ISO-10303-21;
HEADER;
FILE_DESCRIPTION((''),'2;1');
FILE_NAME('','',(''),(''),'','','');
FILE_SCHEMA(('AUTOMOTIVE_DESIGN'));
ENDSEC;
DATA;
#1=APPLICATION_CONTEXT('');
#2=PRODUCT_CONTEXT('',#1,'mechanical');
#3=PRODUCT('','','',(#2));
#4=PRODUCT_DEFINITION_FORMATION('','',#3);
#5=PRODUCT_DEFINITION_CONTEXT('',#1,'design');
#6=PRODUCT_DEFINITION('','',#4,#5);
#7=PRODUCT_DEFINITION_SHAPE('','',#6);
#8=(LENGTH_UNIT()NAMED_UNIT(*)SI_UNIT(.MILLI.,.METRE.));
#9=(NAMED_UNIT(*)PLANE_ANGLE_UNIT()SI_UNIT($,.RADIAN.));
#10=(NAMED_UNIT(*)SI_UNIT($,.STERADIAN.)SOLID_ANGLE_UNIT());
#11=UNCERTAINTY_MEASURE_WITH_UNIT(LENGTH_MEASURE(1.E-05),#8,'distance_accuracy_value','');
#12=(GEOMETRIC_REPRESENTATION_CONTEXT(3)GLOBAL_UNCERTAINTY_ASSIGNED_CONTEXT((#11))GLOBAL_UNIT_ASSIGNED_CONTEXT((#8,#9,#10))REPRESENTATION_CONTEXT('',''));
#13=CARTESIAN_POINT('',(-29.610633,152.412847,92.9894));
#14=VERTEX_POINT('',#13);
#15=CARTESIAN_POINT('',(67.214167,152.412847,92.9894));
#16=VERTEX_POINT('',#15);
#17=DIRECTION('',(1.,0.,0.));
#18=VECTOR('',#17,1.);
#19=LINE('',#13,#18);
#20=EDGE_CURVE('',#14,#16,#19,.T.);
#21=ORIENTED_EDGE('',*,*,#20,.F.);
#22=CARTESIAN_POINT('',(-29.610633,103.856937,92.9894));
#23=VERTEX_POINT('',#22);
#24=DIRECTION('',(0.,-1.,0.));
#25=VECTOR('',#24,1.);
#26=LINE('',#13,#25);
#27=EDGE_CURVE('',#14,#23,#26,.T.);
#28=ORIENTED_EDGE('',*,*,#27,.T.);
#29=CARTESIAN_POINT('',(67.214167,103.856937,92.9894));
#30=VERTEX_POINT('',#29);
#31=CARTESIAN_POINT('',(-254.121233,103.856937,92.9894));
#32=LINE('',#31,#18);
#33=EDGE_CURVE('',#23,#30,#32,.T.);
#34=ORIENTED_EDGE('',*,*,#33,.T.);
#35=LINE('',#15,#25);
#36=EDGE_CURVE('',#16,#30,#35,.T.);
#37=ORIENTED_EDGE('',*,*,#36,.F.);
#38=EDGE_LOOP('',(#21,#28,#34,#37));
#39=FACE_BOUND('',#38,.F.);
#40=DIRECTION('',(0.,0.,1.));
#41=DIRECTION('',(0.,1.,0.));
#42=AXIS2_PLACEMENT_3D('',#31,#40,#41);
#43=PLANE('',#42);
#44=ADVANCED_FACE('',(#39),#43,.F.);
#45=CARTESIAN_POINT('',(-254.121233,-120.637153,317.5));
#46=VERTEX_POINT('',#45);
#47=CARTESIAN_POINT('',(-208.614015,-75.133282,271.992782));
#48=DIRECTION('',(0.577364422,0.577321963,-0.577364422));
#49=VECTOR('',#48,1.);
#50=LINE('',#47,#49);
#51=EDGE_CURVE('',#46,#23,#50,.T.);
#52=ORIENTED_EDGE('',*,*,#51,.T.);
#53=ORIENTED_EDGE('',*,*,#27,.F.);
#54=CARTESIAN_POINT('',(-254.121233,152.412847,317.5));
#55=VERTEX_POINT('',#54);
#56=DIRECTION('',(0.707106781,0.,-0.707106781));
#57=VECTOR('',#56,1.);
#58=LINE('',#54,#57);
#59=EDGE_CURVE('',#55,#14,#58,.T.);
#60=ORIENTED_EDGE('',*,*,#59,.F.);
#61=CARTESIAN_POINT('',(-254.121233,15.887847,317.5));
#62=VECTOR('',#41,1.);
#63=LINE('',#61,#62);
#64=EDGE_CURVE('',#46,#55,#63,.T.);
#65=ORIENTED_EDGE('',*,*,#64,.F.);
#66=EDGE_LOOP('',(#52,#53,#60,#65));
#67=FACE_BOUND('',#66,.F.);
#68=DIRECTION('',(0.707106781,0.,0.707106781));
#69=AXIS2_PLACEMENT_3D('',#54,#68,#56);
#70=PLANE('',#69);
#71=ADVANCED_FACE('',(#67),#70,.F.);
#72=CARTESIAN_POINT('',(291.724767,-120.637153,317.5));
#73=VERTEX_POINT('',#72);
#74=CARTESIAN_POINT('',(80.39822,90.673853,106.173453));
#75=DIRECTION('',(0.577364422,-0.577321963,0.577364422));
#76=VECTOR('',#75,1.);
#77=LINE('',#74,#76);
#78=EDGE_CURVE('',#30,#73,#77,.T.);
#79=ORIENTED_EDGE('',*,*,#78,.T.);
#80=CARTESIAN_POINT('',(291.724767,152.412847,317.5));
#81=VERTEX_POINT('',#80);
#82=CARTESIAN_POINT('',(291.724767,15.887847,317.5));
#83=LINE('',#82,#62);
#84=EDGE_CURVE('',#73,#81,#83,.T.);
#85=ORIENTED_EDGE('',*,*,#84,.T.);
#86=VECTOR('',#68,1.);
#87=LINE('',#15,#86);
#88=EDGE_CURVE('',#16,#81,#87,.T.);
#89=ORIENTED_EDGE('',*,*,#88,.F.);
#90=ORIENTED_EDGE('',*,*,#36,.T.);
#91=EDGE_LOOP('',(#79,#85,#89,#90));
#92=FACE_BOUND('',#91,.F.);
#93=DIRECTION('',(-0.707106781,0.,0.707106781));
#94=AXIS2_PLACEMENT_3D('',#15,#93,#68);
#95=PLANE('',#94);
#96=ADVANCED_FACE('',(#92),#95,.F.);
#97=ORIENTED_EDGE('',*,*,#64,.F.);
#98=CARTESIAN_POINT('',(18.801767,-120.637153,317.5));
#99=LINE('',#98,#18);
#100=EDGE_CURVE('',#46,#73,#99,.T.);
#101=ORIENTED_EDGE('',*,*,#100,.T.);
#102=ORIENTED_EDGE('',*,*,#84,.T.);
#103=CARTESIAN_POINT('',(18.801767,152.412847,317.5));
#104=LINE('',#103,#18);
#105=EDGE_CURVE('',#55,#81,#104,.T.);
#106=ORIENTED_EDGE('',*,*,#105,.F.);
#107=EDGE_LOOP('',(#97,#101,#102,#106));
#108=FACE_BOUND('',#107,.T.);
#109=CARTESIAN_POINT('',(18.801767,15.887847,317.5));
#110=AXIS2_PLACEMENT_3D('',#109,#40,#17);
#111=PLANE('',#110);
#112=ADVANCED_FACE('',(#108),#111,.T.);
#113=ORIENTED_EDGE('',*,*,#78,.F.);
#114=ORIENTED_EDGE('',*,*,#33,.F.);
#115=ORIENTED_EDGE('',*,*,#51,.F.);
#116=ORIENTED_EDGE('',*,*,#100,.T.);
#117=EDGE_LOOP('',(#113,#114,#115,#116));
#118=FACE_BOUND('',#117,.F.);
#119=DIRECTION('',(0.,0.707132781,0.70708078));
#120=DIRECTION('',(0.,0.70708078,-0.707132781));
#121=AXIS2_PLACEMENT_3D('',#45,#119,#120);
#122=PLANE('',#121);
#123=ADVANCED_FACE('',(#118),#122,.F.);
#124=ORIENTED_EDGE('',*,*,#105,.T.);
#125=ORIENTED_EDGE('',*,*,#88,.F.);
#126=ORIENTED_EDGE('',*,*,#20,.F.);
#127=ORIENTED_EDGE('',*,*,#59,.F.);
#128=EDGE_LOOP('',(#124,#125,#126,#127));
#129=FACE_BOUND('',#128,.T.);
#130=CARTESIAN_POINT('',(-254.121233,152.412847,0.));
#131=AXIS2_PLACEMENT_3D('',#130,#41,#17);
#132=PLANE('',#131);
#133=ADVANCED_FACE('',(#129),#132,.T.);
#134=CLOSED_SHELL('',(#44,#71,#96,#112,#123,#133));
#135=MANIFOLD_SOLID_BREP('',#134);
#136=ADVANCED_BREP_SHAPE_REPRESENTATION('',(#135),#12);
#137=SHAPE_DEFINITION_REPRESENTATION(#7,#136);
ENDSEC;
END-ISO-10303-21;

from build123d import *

# Parameters (mm, degrees)
F0_W     = 545.846
F0_H     = 273.05
F1_DEPTH = 317.5
F4_DEPTH = 545.847
F5_DEPTH = 273.051


with BuildPart() as f1:
    # F0 (on Top) → F1 (new body)
    with BuildSketch(Plane.XY):
        with Locations((18.801767, 15.887847)):
            Rectangle(F0_W, F0_H)
    extrude(amount=F1_DEPTH)

    # F3 (on face) → F4 (cut, through all)
    with BuildSketch(Plane(origin=(-254.121233, 0, 0), x_dir=(0, -1, 0), z_dir=(-1, 0, 0))):
        Polygon((-103.856937, 92.9894), (-152.412847, 92.9894), (-152.412847, 0), (120.637153, 0), (120.637153, 317.5), align=None)
    extrude(amount=-F4_DEPTH, mode=Mode.SUBTRACT)

    # F2 (on face) → F5 (cut, through all)
    with BuildSketch(Plane(origin=(0, 152.412847, 0), x_dir=(-1, 0, 0), z_dir=(0, 1, 0))):
        Polygon((-63.378767, 0), (25.775233, 0), (254.121233, 0), (254.121233, 317.5), (29.610633, 92.9894), (-67.214167, 92.9894), (-291.724767, 317.5), (-291.724767, 0), align=None)
    extrude(amount=-F5_DEPTH, mode=Mode.SUBTRACT)


solid = f1.part
